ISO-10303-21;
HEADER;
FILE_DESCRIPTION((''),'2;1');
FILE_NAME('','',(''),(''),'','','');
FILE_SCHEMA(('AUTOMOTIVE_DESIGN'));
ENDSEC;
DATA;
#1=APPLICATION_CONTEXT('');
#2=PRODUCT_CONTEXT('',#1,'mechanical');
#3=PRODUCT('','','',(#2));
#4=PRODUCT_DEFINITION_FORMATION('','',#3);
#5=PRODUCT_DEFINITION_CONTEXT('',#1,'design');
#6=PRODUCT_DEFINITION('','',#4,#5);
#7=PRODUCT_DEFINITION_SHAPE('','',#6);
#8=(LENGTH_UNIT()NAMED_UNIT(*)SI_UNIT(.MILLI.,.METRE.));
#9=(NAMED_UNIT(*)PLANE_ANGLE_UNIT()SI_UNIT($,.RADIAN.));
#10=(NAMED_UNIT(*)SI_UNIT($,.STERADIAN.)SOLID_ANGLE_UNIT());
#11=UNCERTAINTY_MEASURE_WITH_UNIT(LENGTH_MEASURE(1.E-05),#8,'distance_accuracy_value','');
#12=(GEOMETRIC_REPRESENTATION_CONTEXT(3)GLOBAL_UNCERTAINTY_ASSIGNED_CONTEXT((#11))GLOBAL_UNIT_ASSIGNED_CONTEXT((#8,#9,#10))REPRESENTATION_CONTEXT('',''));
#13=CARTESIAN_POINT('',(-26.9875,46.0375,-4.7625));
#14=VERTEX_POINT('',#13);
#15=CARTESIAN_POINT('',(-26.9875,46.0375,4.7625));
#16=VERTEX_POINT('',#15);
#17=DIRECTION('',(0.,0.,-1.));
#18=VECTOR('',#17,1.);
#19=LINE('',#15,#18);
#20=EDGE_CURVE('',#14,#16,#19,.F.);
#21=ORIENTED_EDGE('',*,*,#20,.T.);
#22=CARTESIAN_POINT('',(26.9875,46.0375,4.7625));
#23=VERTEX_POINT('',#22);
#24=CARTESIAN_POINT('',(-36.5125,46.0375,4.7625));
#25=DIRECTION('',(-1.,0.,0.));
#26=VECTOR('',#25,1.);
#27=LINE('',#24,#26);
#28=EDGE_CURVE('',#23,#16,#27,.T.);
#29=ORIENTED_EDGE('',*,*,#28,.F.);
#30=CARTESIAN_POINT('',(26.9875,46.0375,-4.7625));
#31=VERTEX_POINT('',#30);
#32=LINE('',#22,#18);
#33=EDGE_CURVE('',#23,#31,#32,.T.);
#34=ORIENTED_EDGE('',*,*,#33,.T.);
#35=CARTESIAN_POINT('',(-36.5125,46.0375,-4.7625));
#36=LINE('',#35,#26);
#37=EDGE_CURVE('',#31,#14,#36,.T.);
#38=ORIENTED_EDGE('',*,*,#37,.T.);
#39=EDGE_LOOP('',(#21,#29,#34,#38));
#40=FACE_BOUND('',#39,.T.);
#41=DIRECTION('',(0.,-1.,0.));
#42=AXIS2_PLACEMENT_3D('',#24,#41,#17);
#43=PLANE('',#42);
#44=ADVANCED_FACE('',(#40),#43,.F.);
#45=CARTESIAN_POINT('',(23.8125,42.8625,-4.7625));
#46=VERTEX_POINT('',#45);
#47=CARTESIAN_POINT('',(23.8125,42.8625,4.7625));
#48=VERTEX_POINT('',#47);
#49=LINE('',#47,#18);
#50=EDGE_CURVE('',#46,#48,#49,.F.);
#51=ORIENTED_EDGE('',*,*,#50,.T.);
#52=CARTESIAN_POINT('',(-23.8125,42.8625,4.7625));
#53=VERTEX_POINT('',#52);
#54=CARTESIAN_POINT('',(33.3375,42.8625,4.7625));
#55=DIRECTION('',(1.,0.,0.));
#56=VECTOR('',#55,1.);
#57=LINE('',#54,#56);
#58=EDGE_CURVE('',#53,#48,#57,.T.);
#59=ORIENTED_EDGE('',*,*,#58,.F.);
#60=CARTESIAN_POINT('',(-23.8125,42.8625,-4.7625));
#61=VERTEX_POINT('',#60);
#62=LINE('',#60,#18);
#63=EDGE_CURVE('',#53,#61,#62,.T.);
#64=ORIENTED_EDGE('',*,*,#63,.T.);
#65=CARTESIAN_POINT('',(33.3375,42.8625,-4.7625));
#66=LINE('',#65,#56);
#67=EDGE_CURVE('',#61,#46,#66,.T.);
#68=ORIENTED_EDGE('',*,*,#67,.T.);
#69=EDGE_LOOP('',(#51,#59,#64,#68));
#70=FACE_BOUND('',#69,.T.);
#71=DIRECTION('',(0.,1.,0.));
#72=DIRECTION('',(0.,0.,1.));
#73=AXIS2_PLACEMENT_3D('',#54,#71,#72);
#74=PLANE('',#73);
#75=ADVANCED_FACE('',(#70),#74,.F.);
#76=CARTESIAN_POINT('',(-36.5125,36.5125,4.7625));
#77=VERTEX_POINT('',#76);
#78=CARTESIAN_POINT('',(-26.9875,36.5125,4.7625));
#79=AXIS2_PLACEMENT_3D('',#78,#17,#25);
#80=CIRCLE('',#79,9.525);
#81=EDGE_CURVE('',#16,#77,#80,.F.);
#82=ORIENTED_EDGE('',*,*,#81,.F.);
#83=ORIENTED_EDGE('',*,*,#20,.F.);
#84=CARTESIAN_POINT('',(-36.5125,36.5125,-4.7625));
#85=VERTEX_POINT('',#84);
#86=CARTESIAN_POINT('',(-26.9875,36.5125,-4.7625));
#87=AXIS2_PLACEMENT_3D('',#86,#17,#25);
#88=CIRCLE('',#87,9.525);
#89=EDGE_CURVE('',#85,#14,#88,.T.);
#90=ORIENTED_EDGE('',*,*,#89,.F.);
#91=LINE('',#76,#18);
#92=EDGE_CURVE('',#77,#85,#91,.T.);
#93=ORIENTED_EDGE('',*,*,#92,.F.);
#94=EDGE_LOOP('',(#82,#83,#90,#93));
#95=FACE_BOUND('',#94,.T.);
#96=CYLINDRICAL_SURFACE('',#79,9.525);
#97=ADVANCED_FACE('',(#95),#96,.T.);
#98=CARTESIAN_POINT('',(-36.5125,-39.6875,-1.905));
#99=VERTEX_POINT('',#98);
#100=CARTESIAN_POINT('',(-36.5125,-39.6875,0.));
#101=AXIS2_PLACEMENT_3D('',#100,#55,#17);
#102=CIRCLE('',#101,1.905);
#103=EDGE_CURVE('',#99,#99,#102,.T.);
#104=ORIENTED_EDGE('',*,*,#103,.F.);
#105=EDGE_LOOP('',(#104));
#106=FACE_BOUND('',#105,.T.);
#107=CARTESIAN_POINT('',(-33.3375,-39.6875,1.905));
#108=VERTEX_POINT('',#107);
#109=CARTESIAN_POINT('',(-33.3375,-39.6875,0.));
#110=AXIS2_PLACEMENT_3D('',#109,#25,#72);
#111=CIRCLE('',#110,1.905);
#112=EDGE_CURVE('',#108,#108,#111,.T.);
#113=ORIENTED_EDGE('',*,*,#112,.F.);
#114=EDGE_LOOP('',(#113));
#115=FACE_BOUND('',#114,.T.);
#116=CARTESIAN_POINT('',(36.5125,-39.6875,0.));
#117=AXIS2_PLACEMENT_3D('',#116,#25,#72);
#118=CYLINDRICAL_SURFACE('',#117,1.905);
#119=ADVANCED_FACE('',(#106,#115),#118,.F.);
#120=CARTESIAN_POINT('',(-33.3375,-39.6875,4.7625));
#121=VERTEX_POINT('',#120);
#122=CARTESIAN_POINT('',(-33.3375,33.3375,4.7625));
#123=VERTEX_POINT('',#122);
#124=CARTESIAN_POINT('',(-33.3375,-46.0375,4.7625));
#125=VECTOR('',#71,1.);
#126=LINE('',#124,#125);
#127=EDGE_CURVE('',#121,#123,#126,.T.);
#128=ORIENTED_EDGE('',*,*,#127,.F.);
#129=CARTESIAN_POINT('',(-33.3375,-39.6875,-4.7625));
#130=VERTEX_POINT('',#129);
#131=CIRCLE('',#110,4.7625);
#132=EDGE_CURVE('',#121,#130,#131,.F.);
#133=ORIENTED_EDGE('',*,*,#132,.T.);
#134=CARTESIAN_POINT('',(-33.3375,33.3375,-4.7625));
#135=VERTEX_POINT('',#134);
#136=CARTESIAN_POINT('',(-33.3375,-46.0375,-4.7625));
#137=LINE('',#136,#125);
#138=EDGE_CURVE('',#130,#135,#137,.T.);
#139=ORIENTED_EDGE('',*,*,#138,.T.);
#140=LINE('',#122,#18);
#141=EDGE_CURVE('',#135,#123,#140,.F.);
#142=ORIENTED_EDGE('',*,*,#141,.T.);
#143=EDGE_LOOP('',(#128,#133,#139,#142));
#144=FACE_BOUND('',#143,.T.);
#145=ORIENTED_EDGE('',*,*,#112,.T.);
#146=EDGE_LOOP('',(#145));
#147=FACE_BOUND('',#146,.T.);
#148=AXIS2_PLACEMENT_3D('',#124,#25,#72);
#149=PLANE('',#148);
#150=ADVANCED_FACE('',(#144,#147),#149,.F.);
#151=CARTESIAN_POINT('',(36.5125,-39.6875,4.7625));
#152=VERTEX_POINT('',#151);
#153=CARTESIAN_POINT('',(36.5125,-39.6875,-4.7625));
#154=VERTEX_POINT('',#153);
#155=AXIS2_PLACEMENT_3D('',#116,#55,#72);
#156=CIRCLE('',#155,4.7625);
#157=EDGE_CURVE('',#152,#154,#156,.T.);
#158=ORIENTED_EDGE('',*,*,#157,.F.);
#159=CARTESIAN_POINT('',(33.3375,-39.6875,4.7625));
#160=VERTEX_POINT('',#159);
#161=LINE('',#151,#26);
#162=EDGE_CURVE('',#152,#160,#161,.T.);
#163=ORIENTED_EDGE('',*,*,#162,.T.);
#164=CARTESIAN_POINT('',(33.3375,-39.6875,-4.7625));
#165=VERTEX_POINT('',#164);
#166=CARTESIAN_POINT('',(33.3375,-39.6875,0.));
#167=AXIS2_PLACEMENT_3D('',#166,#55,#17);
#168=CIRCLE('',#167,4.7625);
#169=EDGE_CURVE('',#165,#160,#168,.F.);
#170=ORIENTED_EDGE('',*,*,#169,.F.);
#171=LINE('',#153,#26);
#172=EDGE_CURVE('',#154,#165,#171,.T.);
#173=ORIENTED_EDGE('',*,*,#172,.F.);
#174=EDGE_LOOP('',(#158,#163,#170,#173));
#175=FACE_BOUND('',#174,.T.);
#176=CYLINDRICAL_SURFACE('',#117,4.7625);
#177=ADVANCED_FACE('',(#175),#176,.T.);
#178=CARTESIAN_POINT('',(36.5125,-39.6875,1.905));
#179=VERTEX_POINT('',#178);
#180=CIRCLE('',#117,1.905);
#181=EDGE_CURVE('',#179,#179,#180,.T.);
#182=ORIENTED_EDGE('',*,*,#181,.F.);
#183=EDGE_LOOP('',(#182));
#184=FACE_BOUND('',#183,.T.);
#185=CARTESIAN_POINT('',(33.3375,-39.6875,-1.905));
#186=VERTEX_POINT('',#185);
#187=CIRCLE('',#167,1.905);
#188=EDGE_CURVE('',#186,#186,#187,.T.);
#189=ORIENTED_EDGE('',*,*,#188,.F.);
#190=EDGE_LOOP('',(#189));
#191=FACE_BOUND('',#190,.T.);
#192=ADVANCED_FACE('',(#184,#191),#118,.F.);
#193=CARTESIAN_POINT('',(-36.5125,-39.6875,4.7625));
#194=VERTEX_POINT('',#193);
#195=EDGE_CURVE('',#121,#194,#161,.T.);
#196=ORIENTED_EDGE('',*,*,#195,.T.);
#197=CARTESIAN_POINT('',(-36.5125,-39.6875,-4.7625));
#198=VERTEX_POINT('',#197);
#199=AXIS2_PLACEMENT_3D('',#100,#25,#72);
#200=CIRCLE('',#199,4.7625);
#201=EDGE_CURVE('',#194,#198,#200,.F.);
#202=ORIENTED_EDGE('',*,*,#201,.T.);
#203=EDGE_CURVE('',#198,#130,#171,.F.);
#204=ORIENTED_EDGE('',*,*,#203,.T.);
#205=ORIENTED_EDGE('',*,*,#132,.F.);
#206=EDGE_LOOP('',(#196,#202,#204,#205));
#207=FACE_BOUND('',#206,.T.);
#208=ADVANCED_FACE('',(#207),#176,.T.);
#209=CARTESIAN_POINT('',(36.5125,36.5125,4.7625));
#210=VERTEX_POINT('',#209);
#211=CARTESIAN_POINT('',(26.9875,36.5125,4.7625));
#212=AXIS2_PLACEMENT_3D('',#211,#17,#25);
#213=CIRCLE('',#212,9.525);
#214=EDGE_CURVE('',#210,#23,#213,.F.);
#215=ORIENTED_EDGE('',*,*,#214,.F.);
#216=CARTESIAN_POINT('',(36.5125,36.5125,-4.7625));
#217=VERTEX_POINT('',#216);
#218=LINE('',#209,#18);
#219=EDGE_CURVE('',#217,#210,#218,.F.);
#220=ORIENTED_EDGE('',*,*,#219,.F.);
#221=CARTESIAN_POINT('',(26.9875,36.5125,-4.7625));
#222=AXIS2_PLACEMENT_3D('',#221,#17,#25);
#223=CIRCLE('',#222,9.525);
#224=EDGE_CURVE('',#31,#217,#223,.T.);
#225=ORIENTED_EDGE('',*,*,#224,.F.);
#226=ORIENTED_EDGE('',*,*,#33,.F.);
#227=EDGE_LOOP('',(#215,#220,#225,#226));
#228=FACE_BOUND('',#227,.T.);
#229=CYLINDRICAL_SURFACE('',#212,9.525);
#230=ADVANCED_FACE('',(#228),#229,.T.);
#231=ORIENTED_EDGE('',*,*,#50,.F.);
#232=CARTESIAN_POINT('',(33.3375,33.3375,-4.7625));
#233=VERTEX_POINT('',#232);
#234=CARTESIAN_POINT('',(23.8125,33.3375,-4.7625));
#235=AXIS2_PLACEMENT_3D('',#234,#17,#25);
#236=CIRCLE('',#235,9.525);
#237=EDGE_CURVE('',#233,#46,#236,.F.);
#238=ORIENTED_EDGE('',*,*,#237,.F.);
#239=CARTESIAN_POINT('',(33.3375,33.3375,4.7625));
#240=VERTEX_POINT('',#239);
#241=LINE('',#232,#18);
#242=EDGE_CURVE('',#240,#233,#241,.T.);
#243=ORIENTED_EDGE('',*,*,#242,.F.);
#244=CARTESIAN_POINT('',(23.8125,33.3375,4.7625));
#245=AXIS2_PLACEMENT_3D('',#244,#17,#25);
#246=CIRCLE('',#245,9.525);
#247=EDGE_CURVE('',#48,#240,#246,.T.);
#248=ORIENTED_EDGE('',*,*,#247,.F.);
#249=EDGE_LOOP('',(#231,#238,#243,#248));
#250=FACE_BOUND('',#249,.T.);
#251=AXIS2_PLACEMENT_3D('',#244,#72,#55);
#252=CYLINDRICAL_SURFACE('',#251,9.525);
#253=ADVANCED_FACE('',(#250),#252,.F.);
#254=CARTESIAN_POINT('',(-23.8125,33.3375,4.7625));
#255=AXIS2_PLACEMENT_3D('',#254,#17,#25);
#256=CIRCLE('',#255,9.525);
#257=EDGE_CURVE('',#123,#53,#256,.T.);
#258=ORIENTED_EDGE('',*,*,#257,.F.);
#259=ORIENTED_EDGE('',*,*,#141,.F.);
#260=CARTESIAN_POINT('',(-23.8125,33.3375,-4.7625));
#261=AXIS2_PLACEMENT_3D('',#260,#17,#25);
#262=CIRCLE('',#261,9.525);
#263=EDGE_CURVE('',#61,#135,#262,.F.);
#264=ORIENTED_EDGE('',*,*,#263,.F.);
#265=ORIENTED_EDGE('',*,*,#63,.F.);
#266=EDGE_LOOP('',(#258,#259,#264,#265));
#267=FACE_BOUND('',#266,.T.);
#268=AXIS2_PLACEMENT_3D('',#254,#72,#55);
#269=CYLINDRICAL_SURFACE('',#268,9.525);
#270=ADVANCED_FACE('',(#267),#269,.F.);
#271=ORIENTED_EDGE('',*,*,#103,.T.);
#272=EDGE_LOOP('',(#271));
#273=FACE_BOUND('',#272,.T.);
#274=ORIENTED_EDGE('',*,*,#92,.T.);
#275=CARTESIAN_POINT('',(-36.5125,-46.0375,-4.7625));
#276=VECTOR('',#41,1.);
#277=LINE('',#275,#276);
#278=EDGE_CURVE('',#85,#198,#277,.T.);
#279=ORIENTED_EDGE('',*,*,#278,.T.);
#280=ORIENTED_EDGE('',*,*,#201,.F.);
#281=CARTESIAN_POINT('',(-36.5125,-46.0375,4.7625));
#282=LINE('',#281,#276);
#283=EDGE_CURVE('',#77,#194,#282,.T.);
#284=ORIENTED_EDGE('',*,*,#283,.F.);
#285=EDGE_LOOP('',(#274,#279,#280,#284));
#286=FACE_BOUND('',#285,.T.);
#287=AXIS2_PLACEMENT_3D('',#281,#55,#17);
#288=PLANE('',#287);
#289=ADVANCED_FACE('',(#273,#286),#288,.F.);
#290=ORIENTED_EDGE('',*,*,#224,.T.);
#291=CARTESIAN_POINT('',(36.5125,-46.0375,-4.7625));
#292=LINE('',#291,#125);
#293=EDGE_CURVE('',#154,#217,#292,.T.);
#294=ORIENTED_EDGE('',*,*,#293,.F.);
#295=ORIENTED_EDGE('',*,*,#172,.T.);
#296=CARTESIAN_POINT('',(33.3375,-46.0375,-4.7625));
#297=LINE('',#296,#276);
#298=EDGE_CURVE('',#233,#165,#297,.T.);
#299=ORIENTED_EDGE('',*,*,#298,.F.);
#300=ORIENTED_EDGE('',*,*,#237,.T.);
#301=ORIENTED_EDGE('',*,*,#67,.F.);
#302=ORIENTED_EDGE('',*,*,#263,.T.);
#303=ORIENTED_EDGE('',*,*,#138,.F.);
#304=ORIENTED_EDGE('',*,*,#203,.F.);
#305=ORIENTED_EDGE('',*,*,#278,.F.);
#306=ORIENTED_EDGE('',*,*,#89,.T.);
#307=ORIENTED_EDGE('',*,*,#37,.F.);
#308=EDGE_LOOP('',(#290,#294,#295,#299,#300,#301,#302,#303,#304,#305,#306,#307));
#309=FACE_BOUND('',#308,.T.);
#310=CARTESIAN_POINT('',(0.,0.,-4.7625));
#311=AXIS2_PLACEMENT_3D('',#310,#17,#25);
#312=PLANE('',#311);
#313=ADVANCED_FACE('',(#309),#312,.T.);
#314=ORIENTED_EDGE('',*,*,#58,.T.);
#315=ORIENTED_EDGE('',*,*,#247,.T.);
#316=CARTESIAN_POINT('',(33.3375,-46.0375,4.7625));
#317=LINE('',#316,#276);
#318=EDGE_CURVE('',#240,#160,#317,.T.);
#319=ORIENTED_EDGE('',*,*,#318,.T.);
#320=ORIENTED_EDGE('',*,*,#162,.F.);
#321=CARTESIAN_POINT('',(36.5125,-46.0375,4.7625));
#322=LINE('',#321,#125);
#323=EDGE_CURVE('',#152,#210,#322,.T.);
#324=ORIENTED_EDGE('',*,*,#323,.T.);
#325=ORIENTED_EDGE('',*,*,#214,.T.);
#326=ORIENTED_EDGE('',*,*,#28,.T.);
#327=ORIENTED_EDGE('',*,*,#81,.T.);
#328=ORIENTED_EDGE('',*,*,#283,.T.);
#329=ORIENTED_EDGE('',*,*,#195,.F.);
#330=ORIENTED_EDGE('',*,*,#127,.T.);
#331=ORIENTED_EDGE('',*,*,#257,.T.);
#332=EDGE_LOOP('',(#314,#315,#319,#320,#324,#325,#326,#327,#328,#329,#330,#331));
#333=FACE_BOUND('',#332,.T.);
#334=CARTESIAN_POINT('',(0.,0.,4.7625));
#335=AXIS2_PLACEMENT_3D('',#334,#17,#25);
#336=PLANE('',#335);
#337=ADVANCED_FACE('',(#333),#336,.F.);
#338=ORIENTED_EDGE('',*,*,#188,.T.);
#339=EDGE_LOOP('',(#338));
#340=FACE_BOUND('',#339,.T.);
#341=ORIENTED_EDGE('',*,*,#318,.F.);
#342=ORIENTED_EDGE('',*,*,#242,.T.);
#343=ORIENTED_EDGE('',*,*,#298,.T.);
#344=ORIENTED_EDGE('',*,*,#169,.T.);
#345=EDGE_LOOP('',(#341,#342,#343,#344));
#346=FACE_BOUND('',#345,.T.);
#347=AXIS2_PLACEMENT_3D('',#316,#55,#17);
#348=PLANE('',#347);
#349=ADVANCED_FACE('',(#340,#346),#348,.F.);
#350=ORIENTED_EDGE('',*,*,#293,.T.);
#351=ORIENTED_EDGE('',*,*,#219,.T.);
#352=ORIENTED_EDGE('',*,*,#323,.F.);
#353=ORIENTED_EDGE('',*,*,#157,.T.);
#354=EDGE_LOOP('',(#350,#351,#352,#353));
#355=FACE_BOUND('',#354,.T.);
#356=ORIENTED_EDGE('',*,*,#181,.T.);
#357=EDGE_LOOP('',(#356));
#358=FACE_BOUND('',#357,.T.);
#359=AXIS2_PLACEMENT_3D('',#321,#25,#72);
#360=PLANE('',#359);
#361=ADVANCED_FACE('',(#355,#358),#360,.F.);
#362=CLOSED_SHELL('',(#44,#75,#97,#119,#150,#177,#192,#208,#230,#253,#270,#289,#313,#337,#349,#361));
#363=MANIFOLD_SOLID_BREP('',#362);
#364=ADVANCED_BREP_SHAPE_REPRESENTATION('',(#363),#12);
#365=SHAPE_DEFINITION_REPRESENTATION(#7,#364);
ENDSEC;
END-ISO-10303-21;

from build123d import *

# Parameters (mm, degrees)
BOSS_EXTRUDE1_DEPTH     = 4.7625
SKETCH2_R               = 1.905
CUT_EXTRUDE1_DEPTH      = 1
CUT_EXTRUDE1_DEPTH_BACK = 74.025
FILLET1_R               = 9.525


with BuildPart() as part:
    # Sketch1 → Boss-Extrude1 (new body, symmetric)
    with BuildSketch(Plane.XY):
        Polygon((33.3375, -46.0375), (36.5125, -46.0375), (36.5125, 46.0375), (-36.5125, 46.0375), (-36.5125, -46.0375), (-33.3375, -46.0375), (-33.3375, 42.8625), (33.3375, 42.8625), align=None)
    extrude(amount=BOSS_EXTRUDE1_DEPTH, both=True)

    # Sketch2 → Cut-Extrude1 (cut, two sides)
    with BuildSketch(Plane.ZY.offset(36.5125)) as cut_extrude1_sk:
        with Locations((0, -39.6875)):
            Circle(SKETCH2_R)
        with BuildLine():
            Line((-4.7625, -39.6875), (-4.7625, -46.0375))
            Line((-4.7625, -46.0375), (4.7625, -46.0375))
            Line((4.7625, -46.0375), (4.7625, -39.6875))
            ThreePointArc((4.7625, -39.6875), (0, -44.45), (-4.7625, -39.6875))
        make_face()
    extrude(amount=CUT_EXTRUDE1_DEPTH, mode=Mode.SUBTRACT)
    extrude(cut_extrude1_sk.sketch, amount=-CUT_EXTRUDE1_DEPTH_BACK, mode=Mode.SUBTRACT)

    # Fillet1
    fillet1_edges = [part.edges().sort_by_distance(p)[0] for p in [
        (33.3375, 42.8625, 0),
        (-33.3375, 42.8625, 0),
        (-36.5125, 46.0375, 0),
        (36.5125, 46.0375, 0),
    ]]
    fillet(fillet1_edges, radius=FILLET1_R)


solid = part.part
